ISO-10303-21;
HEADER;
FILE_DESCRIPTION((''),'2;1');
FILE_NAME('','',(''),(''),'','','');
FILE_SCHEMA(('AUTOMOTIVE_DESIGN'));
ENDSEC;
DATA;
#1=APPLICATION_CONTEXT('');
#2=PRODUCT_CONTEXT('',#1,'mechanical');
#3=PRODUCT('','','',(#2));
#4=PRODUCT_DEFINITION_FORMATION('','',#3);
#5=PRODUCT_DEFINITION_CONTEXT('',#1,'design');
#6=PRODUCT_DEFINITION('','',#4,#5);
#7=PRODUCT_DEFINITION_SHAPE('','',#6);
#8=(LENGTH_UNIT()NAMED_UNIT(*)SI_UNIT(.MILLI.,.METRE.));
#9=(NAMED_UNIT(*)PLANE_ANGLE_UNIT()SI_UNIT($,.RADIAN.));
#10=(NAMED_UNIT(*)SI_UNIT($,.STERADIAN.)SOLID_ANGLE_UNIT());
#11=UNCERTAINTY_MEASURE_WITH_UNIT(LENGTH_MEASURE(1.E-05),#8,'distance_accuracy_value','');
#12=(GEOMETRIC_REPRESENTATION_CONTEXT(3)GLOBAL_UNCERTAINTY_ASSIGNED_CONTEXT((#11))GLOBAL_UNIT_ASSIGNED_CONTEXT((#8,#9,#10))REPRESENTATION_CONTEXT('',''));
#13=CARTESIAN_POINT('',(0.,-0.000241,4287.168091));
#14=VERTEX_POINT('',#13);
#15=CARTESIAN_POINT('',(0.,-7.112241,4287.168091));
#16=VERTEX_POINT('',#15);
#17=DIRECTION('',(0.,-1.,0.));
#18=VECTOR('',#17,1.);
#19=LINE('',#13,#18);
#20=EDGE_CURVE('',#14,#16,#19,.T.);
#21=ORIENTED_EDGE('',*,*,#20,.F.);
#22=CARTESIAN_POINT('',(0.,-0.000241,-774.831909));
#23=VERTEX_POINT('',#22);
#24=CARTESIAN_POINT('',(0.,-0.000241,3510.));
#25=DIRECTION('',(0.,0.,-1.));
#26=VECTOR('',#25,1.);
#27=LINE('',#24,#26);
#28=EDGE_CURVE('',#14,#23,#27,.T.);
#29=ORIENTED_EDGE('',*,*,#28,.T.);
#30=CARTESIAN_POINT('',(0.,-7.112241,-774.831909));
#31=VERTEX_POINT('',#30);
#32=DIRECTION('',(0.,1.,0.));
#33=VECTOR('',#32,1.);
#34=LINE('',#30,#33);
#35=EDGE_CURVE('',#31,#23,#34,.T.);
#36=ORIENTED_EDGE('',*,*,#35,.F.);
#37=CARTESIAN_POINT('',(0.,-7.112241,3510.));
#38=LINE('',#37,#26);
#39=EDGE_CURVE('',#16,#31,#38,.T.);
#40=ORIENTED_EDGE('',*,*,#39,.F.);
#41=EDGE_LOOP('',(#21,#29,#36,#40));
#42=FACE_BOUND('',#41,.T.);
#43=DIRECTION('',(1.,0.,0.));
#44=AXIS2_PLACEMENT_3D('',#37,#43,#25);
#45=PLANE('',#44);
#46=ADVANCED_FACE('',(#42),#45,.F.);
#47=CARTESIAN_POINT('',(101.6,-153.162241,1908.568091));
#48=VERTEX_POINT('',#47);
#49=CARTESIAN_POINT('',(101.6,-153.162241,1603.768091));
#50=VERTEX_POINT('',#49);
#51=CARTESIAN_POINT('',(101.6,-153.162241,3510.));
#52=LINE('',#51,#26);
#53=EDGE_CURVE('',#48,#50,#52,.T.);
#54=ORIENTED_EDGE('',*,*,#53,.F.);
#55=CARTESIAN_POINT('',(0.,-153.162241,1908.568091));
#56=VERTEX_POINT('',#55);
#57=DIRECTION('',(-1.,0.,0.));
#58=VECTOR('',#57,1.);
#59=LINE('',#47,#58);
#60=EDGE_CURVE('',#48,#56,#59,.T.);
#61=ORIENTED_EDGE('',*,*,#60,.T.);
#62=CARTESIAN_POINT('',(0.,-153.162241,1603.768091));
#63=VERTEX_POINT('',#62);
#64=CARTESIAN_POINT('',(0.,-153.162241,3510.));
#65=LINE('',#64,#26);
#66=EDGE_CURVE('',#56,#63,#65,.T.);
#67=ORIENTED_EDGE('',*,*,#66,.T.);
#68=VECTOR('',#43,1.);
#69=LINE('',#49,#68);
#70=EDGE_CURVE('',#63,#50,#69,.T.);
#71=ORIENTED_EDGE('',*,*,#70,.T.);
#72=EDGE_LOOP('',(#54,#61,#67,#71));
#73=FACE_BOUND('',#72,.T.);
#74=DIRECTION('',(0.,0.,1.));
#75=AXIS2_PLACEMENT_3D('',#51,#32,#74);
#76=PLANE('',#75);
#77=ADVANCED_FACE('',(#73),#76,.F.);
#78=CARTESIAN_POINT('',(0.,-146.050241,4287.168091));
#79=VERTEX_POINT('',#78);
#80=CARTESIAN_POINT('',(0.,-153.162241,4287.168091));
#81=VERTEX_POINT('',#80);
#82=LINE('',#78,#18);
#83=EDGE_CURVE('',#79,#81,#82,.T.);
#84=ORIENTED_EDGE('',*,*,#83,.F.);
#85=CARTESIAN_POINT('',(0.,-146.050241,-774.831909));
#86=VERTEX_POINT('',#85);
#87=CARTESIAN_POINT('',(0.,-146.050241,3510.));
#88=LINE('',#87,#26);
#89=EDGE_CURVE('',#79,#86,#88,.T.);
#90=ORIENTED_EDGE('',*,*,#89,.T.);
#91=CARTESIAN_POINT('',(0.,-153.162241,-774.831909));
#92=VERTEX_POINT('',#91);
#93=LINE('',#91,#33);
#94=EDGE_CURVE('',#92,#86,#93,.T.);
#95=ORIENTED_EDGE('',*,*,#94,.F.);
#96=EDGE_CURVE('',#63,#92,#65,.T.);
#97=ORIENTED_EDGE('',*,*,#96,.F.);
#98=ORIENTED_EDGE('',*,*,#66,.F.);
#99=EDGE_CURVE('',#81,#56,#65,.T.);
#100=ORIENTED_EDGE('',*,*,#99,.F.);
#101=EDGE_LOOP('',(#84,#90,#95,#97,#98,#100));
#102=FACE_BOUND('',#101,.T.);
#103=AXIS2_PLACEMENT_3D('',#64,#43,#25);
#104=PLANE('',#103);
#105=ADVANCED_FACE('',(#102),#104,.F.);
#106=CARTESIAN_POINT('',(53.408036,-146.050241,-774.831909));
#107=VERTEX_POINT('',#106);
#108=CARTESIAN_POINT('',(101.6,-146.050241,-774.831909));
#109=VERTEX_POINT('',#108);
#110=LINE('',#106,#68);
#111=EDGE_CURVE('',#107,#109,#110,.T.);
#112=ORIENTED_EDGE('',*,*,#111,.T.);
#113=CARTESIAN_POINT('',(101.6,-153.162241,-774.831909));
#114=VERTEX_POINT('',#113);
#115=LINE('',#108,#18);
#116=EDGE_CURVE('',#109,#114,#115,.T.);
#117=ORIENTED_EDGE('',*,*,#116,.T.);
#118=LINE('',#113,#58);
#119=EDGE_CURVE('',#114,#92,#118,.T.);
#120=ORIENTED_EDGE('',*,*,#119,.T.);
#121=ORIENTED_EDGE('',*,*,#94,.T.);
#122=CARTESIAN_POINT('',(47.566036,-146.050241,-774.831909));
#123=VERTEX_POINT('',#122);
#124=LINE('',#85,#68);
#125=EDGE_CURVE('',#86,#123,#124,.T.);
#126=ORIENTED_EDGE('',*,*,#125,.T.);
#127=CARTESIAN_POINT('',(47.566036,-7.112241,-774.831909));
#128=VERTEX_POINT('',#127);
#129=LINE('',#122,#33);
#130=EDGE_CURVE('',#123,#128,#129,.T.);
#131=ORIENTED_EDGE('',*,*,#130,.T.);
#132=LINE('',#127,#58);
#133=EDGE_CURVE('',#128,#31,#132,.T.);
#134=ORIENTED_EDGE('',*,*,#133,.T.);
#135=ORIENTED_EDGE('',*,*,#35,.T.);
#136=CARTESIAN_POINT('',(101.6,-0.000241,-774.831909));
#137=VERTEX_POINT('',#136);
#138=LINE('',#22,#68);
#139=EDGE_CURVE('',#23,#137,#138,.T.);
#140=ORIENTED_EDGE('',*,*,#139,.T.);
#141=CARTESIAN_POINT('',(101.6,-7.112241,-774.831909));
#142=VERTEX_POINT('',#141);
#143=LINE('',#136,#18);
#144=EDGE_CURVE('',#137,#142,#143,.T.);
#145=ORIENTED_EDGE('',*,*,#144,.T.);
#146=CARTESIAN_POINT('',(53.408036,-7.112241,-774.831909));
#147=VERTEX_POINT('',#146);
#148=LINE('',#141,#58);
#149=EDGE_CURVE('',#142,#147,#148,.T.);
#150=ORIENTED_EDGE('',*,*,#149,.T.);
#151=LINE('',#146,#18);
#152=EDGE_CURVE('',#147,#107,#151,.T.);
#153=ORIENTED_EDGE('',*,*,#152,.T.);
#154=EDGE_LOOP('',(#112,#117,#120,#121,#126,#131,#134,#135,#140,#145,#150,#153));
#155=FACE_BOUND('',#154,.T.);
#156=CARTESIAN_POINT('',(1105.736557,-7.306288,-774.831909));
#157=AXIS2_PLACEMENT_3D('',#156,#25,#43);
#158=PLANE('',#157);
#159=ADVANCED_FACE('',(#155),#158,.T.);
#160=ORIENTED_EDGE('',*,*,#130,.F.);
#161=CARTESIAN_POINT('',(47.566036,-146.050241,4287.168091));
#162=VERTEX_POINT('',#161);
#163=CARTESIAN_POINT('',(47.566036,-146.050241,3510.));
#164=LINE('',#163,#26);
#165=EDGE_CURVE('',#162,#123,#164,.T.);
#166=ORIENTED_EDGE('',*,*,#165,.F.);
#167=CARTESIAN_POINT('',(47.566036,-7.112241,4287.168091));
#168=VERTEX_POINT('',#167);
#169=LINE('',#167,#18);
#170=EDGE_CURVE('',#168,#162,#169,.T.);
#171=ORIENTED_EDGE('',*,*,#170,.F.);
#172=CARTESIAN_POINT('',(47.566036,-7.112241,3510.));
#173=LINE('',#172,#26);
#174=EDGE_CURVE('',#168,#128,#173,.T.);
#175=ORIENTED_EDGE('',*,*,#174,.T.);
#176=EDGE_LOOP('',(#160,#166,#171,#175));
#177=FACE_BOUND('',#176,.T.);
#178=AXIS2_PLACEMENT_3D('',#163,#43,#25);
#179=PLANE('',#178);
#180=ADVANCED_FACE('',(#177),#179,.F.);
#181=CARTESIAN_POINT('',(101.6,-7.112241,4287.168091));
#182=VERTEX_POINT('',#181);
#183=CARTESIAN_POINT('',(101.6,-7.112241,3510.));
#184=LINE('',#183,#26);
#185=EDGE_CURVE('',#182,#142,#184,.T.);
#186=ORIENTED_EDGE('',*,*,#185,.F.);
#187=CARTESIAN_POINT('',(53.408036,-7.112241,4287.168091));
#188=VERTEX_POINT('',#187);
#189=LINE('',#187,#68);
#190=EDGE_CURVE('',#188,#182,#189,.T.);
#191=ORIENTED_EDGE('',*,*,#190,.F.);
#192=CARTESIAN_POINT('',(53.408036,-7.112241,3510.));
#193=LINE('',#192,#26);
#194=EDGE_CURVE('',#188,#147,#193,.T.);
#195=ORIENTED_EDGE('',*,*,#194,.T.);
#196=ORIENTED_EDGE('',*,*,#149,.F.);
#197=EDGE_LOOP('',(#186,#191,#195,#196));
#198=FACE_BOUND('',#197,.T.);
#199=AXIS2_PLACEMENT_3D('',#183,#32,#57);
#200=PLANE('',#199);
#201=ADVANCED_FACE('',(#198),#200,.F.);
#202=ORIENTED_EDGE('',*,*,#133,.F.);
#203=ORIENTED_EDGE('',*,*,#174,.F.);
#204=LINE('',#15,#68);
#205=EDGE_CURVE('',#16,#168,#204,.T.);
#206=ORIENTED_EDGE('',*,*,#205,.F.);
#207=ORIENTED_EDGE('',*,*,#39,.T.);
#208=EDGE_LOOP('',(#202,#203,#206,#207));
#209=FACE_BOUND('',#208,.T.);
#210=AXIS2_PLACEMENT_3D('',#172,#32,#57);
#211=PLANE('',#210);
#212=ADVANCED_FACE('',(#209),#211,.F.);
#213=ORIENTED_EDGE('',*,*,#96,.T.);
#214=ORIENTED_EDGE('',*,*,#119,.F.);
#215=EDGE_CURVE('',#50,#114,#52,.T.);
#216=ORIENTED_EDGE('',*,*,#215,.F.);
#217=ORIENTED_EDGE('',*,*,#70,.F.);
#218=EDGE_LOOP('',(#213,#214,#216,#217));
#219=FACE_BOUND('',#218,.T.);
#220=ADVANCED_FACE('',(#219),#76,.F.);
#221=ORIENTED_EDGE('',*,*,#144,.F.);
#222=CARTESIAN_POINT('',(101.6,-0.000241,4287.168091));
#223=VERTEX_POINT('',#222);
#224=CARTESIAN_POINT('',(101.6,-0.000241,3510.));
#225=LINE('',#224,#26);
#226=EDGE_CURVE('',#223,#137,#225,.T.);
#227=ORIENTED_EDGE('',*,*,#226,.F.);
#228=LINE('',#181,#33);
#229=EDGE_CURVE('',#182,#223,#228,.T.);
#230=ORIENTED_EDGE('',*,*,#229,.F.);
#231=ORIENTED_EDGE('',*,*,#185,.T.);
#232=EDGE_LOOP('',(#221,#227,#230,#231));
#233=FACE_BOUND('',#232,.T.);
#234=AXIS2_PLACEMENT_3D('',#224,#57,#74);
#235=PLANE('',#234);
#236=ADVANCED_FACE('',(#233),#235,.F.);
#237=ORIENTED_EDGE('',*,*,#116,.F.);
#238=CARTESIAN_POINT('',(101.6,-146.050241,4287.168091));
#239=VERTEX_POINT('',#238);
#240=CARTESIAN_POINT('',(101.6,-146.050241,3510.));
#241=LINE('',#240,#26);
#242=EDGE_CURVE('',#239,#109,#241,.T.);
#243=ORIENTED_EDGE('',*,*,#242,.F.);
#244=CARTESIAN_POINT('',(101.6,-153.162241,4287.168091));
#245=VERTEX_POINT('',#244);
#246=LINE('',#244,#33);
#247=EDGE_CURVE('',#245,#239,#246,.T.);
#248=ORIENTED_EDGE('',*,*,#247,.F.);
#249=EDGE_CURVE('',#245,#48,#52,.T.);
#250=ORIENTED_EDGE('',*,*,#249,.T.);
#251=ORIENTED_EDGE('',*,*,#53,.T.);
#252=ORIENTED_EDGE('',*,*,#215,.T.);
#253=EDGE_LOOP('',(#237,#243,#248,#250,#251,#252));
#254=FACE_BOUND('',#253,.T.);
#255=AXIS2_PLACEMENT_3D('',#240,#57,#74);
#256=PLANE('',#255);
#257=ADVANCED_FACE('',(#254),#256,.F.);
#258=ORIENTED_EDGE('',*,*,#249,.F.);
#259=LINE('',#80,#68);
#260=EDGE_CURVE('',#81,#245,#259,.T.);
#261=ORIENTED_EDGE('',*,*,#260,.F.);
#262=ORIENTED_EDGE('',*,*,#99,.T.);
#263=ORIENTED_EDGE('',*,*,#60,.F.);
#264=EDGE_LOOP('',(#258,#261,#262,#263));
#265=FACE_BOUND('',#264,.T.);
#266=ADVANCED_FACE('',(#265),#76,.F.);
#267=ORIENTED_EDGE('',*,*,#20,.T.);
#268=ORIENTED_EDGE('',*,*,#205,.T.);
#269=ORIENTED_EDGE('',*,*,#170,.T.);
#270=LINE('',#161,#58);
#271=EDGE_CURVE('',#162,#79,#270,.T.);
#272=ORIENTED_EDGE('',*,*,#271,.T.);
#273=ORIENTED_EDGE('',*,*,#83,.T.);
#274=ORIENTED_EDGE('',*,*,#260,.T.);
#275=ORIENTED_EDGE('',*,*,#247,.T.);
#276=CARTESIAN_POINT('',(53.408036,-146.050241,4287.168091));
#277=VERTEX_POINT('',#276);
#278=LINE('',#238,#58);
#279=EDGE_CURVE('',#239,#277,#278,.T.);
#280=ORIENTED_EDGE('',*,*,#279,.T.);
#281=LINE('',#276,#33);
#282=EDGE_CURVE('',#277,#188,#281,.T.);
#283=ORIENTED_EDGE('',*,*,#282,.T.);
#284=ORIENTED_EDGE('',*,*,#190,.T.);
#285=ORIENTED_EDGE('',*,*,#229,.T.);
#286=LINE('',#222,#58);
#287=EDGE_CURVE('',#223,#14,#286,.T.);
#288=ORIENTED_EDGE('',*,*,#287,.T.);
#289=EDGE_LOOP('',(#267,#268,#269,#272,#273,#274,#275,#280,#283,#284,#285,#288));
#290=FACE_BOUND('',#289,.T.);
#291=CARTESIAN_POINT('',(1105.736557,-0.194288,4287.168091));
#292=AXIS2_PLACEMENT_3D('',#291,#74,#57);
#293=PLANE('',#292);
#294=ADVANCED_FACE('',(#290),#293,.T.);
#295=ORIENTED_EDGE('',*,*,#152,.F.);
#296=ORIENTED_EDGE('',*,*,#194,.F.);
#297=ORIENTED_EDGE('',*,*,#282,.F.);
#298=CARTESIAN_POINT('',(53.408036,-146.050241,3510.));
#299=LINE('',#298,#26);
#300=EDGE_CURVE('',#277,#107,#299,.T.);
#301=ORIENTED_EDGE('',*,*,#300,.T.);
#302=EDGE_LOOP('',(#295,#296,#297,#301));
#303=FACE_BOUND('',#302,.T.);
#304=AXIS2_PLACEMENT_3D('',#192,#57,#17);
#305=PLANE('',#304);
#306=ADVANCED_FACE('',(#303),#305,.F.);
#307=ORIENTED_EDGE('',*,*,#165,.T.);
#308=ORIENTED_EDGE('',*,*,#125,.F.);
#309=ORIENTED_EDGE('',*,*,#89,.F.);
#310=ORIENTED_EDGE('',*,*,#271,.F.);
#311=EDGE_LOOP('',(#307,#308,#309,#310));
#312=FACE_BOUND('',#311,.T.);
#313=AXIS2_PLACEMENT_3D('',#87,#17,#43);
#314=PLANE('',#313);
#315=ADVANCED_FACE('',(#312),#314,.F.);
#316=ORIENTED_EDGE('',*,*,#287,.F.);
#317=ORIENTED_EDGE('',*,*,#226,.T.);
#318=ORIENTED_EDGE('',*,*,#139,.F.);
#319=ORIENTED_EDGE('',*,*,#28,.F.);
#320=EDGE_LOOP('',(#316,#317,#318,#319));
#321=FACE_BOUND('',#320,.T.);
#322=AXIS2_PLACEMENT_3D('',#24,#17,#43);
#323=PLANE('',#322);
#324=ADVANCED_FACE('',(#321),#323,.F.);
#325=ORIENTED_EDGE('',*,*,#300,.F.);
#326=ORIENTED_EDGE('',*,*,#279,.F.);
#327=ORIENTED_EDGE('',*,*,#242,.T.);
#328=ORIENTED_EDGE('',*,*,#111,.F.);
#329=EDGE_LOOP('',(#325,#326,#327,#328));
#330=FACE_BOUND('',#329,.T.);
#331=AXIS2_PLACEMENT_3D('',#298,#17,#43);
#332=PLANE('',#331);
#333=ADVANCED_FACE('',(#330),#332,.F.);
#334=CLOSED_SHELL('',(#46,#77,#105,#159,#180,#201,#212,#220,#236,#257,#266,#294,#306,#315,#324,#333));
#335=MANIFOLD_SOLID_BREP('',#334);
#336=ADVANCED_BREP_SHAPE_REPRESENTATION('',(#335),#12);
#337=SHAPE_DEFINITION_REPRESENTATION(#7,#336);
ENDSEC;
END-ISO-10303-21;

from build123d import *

# Parameters (mm, degrees)
BOSS_EXTRUDE1_DEPTH = 3510
BOSS_EXTRUDE2_DEPTH = 777.168091258
BOSS_EXTRUDE3_DEPTH = 774.831908742


with BuildPart() as part:
    # Sketch1 → Boss-Extrude1 (new body)
    with BuildSketch(Plane.XY):
        Polygon((0, -0.000240533), (101.6, -0.000240533), (101.6, -7.112240533), (53.408035714, -7.112240533), (53.408035714, -146.050240533), (101.6, -146.050240533), (101.6, -153.162240533), (0, -153.162240533), (0, -146.050240533), (47.566035714, -146.050240533), (47.566035714, -7.112240533), (0, -7.112240533), align=None)
    extrude(amount=BOSS_EXTRUDE1_DEPTH)

    # Sketch3 → Boss-Extrude2 (add)
    with BuildSketch(Plane.XY.offset(3510)):
        Polygon((0, -0.000240533), (0, -7.112240533), (47.566035714, -7.112240533), (47.566035714, -146.050240533), (0, -146.050240533), (0, -153.162240533), (101.6, -153.162240533), (101.6, -146.050240533), (53.408035714, -146.050240533), (53.408035714, -7.112240533), (101.6, -7.112240533), (101.6, -0.000240533), align=None)
    extrude(amount=BOSS_EXTRUDE2_DEPTH)

    # Sketch4 → Boss-Extrude3 (add)
    with BuildSketch(Plane(origin=(0, 0, 0), x_dir=(-1, 0, 0), z_dir=(0, 0, -1))):
        Polygon((0, -7.112240533), (0, -0.000240533), (-101.6, -0.000240533), (-101.6, -7.112240533), (-53.408035714, -7.112240533), (-53.408035714, -146.050240533), (-101.6, -146.050240533), (-101.6, -153.162240533), (0, -153.162240533), (0, -146.050240533), (-47.566035714, -146.050240533), (-47.566035714, -7.112240533), align=None)
    extrude(amount=BOSS_EXTRUDE3_DEPTH)


solid = part.part
